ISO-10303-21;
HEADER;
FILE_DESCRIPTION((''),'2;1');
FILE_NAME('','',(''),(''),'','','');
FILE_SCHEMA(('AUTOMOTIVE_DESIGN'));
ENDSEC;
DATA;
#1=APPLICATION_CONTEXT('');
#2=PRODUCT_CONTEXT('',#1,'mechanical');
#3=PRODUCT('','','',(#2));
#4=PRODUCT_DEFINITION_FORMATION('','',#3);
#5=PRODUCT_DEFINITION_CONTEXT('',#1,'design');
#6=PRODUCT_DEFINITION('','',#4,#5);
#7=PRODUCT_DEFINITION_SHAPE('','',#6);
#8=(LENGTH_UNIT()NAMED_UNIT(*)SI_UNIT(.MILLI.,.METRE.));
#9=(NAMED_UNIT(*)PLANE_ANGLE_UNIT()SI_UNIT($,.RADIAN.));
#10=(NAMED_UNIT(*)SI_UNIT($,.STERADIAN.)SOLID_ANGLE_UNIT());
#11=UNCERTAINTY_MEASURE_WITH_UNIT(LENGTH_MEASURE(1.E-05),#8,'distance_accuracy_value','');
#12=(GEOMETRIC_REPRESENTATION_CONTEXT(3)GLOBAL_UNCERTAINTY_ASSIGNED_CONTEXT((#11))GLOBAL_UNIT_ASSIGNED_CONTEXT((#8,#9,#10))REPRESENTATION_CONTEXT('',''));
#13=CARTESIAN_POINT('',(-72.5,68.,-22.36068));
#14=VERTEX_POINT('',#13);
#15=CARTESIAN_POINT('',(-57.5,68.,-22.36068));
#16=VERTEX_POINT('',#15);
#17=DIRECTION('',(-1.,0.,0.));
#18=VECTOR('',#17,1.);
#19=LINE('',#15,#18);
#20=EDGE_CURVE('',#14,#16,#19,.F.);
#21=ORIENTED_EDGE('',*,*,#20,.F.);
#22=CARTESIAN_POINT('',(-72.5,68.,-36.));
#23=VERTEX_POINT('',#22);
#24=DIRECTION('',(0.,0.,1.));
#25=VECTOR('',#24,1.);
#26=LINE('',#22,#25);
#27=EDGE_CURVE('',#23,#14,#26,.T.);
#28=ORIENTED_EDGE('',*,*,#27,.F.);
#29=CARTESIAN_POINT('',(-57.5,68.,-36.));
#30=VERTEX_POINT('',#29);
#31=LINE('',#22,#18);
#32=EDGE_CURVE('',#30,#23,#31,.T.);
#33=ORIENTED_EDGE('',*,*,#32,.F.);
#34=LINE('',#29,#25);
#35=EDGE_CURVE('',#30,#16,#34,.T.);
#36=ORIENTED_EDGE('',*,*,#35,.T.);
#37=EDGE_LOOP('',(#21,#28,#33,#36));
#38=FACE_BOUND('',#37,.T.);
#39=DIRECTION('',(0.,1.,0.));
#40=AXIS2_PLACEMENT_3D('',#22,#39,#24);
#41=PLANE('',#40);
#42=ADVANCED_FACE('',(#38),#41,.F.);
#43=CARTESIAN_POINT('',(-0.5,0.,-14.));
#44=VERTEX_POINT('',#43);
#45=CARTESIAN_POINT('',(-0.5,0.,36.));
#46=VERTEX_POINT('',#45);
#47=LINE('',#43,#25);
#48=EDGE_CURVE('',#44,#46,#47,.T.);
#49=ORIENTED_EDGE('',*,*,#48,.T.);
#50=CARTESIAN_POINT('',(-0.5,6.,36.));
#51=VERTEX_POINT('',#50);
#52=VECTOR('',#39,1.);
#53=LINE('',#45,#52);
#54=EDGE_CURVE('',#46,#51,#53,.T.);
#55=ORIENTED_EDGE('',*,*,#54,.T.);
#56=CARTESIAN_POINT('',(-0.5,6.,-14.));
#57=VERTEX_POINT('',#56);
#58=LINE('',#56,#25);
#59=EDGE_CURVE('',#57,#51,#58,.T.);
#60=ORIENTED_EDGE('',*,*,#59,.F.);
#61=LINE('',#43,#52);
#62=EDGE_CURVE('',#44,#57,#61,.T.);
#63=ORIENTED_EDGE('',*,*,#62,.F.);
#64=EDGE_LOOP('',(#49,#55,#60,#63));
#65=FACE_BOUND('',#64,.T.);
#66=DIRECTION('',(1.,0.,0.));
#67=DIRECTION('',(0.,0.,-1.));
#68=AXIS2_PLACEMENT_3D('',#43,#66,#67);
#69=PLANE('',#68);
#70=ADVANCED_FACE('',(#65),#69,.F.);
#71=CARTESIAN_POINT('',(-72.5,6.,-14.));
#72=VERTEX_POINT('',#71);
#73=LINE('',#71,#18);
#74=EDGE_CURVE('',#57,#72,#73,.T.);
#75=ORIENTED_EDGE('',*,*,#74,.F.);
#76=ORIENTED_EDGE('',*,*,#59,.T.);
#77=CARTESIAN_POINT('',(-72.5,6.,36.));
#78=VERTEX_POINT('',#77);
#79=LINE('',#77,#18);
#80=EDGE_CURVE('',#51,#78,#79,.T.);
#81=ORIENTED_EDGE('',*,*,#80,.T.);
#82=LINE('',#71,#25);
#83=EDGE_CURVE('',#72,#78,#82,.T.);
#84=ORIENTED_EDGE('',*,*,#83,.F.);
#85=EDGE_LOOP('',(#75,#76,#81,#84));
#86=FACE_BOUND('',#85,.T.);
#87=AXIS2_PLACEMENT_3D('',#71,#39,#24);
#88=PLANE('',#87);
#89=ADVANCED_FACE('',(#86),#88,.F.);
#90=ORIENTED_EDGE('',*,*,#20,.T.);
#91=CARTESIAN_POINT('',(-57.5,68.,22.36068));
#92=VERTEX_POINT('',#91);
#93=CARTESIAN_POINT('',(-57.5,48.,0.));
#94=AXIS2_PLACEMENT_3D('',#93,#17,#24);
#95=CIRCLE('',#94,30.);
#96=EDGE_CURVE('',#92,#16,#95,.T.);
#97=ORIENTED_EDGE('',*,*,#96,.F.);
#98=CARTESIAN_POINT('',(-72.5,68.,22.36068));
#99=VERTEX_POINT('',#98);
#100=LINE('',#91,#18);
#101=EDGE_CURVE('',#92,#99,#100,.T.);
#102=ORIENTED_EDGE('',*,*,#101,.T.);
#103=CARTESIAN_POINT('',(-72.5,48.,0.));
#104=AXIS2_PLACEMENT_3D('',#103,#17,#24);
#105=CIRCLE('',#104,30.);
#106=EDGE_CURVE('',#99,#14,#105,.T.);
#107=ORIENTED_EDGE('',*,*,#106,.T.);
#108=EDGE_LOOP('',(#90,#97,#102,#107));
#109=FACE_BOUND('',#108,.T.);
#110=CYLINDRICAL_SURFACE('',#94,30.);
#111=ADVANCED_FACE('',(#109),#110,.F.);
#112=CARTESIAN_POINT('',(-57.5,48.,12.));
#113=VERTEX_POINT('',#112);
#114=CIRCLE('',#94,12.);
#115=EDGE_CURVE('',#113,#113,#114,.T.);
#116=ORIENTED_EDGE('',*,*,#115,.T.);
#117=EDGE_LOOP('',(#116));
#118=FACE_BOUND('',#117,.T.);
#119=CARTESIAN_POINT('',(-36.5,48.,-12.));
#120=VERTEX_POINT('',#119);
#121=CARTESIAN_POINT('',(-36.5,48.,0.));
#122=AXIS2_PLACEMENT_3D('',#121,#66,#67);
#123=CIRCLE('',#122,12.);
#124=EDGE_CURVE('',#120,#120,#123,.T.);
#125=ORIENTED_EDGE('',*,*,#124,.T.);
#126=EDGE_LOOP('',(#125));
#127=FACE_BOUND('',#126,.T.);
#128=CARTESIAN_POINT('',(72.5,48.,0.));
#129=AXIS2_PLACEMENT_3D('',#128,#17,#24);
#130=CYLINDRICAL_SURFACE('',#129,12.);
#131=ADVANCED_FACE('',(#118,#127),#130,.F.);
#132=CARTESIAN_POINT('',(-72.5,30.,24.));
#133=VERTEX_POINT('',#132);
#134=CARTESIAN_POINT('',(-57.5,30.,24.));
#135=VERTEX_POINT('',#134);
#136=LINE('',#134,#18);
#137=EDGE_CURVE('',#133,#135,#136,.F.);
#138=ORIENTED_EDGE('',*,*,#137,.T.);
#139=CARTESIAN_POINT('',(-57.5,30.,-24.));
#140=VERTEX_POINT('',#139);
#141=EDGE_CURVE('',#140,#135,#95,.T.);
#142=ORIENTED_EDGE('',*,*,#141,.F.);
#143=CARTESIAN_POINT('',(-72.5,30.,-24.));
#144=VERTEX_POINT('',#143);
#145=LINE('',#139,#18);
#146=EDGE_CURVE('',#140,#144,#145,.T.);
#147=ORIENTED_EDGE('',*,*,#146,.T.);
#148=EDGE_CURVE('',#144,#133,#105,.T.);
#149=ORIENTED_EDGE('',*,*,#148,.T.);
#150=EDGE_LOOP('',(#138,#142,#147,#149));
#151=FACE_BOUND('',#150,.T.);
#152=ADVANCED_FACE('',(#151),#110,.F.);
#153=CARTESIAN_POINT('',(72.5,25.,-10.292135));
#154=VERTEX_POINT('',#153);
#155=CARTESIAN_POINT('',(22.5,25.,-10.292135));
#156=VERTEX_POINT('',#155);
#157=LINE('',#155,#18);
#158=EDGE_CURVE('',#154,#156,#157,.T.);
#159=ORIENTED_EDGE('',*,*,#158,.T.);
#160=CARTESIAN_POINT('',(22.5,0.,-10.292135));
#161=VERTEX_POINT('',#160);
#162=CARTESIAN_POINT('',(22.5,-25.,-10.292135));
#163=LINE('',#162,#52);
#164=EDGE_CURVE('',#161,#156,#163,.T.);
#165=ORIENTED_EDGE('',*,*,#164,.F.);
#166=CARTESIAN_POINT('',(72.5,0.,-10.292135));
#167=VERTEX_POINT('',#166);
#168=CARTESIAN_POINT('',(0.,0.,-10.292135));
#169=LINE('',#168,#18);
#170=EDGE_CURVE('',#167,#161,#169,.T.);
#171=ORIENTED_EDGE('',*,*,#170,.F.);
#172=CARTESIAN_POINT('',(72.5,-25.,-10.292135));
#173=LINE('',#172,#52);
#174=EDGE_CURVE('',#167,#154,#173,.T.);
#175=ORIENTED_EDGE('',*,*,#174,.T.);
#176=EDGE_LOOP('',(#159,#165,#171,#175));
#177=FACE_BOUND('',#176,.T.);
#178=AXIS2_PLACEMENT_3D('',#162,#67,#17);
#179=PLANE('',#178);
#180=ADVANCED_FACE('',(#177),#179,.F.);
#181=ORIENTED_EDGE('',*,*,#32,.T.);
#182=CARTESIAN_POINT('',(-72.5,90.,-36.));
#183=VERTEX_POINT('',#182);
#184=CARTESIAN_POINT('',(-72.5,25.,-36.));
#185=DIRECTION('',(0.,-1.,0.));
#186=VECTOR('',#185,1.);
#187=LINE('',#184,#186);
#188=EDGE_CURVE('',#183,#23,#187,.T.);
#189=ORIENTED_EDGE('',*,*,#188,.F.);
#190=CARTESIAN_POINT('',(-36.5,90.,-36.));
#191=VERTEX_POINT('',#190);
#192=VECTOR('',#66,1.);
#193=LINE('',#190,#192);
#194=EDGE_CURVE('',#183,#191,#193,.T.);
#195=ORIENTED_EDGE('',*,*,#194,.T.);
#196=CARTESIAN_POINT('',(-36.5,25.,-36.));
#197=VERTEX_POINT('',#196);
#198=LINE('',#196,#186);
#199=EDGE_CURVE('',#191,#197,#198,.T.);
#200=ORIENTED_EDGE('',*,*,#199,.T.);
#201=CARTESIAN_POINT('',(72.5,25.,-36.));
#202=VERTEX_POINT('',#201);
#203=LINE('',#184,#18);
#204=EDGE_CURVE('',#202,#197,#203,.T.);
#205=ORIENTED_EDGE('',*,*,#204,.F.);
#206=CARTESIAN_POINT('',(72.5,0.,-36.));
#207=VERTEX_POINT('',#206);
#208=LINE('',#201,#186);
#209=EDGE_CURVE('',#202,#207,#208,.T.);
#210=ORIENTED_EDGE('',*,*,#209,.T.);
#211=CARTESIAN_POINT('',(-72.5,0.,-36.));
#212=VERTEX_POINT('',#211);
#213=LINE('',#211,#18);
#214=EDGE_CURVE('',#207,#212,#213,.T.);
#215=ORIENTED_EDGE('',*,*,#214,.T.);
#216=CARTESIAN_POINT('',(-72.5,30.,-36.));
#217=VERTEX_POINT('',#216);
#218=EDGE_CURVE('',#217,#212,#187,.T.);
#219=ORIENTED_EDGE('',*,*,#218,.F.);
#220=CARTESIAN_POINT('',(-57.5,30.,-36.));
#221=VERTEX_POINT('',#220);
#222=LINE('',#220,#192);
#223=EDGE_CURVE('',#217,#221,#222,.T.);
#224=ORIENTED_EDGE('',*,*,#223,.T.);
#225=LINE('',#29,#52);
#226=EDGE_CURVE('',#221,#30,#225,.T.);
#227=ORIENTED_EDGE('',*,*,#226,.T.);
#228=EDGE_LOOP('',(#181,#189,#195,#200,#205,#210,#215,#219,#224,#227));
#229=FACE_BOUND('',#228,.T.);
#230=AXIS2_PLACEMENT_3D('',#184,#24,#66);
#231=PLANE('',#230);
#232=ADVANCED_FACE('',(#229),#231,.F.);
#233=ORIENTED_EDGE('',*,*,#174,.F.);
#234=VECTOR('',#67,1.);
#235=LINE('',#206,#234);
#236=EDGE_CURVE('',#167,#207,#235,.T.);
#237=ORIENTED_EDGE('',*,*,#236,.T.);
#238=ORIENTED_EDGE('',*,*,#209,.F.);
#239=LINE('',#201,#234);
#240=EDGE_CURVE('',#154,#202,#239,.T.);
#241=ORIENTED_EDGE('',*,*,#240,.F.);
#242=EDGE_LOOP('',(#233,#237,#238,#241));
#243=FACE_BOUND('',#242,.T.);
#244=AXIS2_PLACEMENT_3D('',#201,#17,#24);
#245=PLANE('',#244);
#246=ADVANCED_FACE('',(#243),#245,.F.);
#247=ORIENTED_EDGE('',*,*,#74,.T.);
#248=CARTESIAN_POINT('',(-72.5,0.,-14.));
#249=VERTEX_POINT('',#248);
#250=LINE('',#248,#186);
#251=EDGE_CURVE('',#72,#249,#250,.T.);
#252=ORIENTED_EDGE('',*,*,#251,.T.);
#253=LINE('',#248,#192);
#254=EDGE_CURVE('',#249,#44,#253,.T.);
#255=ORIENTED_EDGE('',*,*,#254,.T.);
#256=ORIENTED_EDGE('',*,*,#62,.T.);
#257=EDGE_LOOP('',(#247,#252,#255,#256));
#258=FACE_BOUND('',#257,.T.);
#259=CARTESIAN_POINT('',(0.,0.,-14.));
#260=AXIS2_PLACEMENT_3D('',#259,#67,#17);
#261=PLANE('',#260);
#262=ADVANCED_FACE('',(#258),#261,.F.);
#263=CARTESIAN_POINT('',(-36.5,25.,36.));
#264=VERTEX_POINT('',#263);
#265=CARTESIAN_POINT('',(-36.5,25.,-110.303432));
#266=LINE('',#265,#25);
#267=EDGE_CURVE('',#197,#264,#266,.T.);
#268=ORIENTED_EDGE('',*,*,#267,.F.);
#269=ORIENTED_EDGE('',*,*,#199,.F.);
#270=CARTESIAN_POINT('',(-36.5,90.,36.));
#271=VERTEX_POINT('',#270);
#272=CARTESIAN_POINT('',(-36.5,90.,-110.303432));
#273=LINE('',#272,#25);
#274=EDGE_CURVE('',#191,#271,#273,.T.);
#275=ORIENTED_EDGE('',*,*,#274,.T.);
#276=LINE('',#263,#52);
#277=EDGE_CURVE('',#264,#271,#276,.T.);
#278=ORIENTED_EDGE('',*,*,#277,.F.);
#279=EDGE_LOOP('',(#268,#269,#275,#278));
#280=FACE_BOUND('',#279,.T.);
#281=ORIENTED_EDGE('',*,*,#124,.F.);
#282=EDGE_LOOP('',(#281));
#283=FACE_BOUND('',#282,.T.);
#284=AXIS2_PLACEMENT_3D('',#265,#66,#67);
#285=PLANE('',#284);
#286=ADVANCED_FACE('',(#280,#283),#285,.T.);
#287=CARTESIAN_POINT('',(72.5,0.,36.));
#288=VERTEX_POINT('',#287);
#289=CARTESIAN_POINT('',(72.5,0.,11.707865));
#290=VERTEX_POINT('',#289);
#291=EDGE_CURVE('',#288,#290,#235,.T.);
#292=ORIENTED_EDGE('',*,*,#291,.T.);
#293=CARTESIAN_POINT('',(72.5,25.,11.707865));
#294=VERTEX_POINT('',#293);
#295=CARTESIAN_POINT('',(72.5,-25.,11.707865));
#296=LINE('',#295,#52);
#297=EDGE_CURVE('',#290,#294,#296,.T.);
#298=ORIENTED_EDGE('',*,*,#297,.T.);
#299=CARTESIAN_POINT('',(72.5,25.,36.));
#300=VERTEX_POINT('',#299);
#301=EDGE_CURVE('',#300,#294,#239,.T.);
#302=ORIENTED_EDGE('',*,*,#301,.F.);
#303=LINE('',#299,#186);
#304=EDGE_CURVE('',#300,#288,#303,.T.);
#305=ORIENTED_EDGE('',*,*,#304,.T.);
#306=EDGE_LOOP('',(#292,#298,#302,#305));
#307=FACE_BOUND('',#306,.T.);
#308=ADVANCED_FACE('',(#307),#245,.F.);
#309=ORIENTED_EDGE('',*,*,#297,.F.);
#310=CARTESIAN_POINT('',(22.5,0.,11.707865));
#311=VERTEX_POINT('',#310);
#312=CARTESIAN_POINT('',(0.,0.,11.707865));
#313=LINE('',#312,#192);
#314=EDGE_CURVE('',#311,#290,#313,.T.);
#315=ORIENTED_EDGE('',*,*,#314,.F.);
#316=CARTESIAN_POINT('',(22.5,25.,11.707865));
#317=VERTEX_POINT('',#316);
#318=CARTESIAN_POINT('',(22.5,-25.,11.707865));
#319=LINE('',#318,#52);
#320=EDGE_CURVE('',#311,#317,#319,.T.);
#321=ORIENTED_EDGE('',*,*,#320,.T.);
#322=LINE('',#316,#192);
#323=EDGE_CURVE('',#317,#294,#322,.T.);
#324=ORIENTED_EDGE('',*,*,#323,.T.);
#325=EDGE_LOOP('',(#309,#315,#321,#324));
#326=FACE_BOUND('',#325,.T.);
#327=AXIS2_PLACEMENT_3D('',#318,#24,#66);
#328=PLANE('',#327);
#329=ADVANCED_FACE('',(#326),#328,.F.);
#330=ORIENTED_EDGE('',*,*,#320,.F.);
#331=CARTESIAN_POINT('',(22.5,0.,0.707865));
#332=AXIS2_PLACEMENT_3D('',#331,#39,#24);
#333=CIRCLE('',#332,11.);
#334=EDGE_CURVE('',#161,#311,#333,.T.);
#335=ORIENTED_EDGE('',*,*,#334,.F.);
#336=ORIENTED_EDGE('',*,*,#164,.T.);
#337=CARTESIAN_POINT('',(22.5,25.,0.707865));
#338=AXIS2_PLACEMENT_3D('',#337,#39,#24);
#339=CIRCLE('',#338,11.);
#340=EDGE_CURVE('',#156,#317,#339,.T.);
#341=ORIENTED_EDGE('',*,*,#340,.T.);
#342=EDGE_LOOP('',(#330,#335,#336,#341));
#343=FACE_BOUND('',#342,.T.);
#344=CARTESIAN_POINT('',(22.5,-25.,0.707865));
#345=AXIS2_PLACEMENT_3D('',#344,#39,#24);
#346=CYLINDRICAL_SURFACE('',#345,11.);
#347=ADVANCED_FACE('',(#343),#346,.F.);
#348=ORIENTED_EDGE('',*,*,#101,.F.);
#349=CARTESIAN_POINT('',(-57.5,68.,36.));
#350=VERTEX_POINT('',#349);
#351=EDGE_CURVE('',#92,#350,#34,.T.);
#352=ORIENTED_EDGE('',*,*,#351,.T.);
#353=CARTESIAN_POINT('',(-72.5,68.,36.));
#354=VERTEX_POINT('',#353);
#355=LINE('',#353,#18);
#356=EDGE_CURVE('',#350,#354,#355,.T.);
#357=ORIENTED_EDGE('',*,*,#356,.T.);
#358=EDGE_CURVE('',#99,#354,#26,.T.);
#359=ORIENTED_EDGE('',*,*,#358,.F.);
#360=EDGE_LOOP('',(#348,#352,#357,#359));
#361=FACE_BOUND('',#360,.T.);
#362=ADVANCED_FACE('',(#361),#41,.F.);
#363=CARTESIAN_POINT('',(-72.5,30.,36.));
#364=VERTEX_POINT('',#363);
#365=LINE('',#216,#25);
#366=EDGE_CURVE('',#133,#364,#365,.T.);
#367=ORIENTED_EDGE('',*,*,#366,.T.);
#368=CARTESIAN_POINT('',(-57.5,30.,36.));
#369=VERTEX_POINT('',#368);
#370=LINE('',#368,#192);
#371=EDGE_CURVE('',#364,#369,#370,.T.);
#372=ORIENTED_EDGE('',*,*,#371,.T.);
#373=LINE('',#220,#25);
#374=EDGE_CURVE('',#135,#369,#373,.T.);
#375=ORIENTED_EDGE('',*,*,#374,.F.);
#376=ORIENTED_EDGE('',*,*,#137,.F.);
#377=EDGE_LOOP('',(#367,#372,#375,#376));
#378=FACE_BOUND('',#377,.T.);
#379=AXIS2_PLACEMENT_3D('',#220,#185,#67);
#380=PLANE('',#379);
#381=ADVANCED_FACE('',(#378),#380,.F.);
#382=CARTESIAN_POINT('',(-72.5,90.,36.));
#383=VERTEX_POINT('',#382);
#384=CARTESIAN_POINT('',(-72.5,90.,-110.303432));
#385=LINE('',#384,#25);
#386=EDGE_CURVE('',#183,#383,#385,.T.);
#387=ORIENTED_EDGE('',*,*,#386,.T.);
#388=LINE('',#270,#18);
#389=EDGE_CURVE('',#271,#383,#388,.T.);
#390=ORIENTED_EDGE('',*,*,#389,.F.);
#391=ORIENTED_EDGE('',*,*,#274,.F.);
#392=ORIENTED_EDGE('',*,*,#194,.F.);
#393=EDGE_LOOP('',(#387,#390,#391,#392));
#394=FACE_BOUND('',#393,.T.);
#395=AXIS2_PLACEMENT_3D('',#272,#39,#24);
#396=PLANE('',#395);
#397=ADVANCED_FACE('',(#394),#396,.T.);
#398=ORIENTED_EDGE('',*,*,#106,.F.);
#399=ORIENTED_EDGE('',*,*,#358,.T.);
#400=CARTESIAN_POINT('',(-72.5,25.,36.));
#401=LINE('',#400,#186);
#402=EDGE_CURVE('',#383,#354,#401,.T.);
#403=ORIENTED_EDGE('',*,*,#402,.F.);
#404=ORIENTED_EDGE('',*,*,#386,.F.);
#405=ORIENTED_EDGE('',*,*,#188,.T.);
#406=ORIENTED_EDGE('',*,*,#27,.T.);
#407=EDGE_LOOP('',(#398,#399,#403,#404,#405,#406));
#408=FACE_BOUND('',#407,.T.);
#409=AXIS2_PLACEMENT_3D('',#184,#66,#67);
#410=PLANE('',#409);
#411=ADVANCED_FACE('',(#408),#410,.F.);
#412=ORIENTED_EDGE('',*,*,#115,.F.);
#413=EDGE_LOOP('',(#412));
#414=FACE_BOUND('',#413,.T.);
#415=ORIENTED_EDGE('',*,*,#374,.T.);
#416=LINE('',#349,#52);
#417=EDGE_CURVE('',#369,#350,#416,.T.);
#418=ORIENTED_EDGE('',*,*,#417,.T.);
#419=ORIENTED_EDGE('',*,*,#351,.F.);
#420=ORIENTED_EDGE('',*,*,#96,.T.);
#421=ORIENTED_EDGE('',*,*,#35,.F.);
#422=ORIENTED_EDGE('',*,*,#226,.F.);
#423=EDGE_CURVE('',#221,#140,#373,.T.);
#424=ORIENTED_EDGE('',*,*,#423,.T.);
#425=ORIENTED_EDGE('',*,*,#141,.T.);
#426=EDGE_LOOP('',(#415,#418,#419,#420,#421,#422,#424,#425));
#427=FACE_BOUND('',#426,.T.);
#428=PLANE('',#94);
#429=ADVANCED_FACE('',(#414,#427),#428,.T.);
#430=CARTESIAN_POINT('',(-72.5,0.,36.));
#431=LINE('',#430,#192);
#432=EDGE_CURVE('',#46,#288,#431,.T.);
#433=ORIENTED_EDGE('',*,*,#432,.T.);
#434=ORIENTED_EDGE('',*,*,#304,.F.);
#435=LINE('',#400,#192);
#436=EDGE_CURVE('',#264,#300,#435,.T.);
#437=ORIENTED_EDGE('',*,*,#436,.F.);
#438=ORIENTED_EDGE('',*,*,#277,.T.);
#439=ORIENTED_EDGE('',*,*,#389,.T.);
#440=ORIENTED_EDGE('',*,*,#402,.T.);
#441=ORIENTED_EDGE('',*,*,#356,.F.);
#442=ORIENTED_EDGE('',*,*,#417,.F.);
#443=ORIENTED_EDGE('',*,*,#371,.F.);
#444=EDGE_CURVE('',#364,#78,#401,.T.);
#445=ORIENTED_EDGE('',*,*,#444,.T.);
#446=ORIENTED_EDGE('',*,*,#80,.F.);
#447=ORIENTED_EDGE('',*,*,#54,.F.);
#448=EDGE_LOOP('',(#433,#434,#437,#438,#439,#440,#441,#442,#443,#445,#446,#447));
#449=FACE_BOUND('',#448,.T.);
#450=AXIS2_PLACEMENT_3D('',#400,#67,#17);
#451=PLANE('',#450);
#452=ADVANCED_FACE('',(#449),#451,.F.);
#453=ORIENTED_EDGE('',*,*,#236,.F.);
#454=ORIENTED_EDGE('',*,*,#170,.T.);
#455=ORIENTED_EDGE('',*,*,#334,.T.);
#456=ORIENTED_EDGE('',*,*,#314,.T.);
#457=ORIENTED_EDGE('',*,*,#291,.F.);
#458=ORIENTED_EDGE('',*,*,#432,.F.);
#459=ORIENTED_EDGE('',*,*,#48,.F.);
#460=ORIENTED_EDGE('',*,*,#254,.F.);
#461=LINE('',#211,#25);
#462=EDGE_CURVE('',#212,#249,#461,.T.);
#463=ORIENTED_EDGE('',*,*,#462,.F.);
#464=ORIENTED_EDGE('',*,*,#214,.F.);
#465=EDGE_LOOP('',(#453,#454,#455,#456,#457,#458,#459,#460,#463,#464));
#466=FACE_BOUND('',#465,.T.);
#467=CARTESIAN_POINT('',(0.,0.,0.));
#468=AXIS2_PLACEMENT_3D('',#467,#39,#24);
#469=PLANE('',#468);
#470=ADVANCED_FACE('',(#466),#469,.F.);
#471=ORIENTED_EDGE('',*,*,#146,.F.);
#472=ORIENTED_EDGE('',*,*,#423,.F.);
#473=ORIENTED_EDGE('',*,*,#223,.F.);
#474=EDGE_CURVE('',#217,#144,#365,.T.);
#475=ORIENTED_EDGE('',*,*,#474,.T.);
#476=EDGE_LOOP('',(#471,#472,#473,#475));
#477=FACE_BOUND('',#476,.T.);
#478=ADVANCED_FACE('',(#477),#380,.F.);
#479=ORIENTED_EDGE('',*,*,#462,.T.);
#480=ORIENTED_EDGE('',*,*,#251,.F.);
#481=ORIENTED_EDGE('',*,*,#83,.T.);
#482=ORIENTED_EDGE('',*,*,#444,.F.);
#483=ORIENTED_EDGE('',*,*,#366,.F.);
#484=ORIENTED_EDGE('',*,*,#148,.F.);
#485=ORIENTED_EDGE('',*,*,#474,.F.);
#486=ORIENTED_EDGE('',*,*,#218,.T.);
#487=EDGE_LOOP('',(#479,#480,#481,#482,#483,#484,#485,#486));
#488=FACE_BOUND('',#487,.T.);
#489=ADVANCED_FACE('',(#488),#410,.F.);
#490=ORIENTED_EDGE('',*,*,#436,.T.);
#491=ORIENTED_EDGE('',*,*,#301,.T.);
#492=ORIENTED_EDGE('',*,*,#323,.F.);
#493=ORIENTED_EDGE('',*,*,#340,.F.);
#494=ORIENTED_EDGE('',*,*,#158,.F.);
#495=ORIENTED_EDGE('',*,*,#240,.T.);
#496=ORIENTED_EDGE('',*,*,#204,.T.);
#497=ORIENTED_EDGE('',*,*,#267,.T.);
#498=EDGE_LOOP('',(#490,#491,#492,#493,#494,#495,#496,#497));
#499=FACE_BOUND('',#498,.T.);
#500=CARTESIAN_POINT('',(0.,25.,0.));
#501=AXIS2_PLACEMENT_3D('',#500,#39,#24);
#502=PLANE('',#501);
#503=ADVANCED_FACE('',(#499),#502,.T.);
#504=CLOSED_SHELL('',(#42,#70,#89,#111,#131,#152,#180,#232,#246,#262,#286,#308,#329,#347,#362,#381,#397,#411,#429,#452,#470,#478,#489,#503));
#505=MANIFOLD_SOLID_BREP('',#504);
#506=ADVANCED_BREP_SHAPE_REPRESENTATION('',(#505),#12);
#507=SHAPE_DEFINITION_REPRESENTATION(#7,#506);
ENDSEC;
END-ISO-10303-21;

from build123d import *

# Parameters (mm, degrees)
SKETCH1_W           = 145
SKETCH1_H           = 72
BOSS_EXTRUDE1_DEPTH = 25
SKETCH2_W           = 72
SKETCH2_H           = 6
CUT_EXTRUDE1_DEPTH  = 50
CUT_EXTRUDE2_DEPTH  = 50
SKETCH4_W           = 36
SKETCH4_H           = 65
BOSS_EXTRUDE2_DEPTH = 72
SKETCH5_R           = 30
CUT_EXTRUDE3_DEPTH  = 15
SKETCH6_W           = 15
SKETCH6_H           = 38
CUT_EXTRUDE4_DEPTH  = 137.162586638
SKETCH7_R           = 12
CUT_EXTRUDE5_DEPTH  = 163.160414405


with BuildPart() as part:
    # Sketch1 → Boss-Extrude1 (new body)
    with BuildSketch(Plane(origin=(0, 0, 0), x_dir=(1, 0, 0), z_dir=(0, 1, 0))):
        Rectangle(SKETCH1_W, SKETCH1_H)
    extrude(amount=BOSS_EXTRUDE1_DEPTH)

    # Sketch2 → Cut-Extrude1 (cut)
    with BuildSketch(Plane.XY.offset(36)):
        with Locations((-36.5, 3)):
            Rectangle(SKETCH2_W, SKETCH2_H)
    extrude(amount=-CUT_EXTRUDE1_DEPTH, mode=Mode.SUBTRACT)

    # Sketch3 → Cut-Extrude2 (cut)
    with BuildSketch(Plane(origin=(0, 25, 0), x_dir=(1, 0, 0), z_dir=(0, 1, 0))):
        with BuildLine():
            Line((22.5, 10.292135336), (72.5, 10.292135336))
            Line((72.5, 10.292135336), (72.5, -11.707864664))
            Line((72.5, -11.707864664), (22.5, -11.707864664))
            ThreePointArc((22.5, -11.707864664), (11.5, -0.707864664), (22.5, 10.292135336))
        make_face()
    extrude(amount=-CUT_EXTRUDE2_DEPTH, mode=Mode.SUBTRACT)

    # Sketch4 → Boss-Extrude2 (add)
    with BuildSketch(Plane.XY.offset(36)):
        with Locations((-54.5, 57.5)):
            Rectangle(SKETCH4_W, SKETCH4_H)
    extrude(amount=-BOSS_EXTRUDE2_DEPTH)

    # Sketch5 → Cut-Extrude3 (cut)
    with BuildSketch(Plane.ZY.offset(72.5)):
        with Locations((0, 48)):
            Circle(SKETCH5_R)
    extrude(amount=-CUT_EXTRUDE3_DEPTH, mode=Mode.SUBTRACT)

    # Sketch6 → Cut-Extrude4 (cut, through all)
    with BuildSketch(Plane.XY.offset(36)):
        with Locations((-65, 49)):
            Rectangle(SKETCH6_W, SKETCH6_H)
    extrude(amount=-CUT_EXTRUDE4_DEPTH, mode=Mode.SUBTRACT)

    # Sketch7 → Cut-Extrude5 (cut, through all)
    with BuildSketch(Plane.ZY.offset(57.5)):
        with Locations((0, 48)):
            Circle(SKETCH7_R)
    extrude(amount=-CUT_EXTRUDE5_DEPTH, mode=Mode.SUBTRACT)


solid = part.part
